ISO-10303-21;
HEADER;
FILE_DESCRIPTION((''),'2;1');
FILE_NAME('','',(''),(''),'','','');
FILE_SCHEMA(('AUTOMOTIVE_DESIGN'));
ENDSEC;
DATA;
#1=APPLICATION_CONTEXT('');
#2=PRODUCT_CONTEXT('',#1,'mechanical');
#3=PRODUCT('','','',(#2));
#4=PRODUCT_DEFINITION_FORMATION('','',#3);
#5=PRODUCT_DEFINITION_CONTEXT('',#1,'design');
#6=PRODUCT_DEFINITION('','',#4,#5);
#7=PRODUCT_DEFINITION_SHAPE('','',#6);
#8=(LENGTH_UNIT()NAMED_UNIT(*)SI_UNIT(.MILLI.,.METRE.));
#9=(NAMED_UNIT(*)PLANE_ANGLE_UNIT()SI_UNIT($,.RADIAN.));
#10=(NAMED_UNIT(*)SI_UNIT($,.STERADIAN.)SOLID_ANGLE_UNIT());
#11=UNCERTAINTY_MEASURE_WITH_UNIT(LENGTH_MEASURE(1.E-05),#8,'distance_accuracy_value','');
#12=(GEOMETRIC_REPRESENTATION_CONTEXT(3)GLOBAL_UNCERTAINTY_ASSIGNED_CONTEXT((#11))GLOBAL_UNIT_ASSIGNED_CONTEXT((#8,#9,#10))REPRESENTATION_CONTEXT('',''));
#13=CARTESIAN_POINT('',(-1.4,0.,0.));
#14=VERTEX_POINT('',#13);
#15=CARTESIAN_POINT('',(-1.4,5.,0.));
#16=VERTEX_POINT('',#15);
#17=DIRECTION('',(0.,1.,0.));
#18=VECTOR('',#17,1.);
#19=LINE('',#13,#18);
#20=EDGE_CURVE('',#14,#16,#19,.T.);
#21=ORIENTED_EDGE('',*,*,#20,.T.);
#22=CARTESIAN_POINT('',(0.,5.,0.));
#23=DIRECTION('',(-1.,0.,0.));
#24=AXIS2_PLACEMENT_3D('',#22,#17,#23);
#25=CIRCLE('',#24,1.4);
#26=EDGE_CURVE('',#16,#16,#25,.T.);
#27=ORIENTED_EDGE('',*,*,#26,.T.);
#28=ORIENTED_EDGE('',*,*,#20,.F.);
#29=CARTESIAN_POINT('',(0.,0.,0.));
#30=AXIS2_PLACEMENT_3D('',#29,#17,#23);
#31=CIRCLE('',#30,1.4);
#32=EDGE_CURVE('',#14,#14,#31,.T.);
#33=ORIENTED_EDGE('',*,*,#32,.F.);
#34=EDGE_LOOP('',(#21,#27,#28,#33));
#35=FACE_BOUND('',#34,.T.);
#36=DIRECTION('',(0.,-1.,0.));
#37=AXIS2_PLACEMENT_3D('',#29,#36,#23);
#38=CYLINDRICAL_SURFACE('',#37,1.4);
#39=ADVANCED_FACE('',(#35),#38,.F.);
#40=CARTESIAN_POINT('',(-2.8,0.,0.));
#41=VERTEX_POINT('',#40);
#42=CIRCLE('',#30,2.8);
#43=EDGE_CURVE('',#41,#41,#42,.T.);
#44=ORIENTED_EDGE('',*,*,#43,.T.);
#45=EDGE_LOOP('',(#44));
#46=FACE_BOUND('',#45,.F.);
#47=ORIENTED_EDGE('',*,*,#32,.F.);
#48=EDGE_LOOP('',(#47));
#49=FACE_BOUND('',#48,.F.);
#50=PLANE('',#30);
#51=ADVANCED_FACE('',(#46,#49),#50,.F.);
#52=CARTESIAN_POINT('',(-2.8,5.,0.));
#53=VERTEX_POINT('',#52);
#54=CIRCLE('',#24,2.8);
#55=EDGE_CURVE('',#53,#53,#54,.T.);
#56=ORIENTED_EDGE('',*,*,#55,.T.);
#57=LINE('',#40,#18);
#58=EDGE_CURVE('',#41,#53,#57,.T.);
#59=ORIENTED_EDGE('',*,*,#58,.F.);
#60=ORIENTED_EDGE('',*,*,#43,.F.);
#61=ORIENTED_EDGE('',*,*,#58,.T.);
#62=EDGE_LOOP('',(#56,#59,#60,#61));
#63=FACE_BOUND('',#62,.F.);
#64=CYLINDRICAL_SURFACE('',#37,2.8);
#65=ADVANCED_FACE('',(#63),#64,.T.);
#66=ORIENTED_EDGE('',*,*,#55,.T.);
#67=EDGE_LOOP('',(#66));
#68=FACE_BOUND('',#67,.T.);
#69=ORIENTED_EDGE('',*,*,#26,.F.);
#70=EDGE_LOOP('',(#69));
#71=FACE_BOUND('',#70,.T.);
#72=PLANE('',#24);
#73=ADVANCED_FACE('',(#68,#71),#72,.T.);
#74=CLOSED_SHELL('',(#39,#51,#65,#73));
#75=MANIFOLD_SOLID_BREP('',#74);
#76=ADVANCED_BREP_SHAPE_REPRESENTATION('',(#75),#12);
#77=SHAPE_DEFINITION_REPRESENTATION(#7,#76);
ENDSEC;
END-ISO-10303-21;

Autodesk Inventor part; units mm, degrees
ref_plane "YZ Plane" through (0, 0, 0) normal (1, 0, 0) x (0, 1, 0)
ref_plane "XZ Plane" through (0, 0, 0) normal (0, 1, 0) x (-1, 0, 0)
ref_plane "XY Plane" through (0, 0, 0) normal (0, 0, 1) x (1, 0, 0)
sketch "Sketch1" plane through (0, 0, 0) normal (0, 1, 0) x (-1, 0, 0)
  circle A0 centre (0, 0) radius 2.8
  circle A1 centre (0, 0) radius 1.4
  dimension "d0" = 5.6
  dimension "d1" = 2.8
extrude "Extrusion1" add sketch "Sketch1" along normal blind 5
properties part number "Small spacer"
